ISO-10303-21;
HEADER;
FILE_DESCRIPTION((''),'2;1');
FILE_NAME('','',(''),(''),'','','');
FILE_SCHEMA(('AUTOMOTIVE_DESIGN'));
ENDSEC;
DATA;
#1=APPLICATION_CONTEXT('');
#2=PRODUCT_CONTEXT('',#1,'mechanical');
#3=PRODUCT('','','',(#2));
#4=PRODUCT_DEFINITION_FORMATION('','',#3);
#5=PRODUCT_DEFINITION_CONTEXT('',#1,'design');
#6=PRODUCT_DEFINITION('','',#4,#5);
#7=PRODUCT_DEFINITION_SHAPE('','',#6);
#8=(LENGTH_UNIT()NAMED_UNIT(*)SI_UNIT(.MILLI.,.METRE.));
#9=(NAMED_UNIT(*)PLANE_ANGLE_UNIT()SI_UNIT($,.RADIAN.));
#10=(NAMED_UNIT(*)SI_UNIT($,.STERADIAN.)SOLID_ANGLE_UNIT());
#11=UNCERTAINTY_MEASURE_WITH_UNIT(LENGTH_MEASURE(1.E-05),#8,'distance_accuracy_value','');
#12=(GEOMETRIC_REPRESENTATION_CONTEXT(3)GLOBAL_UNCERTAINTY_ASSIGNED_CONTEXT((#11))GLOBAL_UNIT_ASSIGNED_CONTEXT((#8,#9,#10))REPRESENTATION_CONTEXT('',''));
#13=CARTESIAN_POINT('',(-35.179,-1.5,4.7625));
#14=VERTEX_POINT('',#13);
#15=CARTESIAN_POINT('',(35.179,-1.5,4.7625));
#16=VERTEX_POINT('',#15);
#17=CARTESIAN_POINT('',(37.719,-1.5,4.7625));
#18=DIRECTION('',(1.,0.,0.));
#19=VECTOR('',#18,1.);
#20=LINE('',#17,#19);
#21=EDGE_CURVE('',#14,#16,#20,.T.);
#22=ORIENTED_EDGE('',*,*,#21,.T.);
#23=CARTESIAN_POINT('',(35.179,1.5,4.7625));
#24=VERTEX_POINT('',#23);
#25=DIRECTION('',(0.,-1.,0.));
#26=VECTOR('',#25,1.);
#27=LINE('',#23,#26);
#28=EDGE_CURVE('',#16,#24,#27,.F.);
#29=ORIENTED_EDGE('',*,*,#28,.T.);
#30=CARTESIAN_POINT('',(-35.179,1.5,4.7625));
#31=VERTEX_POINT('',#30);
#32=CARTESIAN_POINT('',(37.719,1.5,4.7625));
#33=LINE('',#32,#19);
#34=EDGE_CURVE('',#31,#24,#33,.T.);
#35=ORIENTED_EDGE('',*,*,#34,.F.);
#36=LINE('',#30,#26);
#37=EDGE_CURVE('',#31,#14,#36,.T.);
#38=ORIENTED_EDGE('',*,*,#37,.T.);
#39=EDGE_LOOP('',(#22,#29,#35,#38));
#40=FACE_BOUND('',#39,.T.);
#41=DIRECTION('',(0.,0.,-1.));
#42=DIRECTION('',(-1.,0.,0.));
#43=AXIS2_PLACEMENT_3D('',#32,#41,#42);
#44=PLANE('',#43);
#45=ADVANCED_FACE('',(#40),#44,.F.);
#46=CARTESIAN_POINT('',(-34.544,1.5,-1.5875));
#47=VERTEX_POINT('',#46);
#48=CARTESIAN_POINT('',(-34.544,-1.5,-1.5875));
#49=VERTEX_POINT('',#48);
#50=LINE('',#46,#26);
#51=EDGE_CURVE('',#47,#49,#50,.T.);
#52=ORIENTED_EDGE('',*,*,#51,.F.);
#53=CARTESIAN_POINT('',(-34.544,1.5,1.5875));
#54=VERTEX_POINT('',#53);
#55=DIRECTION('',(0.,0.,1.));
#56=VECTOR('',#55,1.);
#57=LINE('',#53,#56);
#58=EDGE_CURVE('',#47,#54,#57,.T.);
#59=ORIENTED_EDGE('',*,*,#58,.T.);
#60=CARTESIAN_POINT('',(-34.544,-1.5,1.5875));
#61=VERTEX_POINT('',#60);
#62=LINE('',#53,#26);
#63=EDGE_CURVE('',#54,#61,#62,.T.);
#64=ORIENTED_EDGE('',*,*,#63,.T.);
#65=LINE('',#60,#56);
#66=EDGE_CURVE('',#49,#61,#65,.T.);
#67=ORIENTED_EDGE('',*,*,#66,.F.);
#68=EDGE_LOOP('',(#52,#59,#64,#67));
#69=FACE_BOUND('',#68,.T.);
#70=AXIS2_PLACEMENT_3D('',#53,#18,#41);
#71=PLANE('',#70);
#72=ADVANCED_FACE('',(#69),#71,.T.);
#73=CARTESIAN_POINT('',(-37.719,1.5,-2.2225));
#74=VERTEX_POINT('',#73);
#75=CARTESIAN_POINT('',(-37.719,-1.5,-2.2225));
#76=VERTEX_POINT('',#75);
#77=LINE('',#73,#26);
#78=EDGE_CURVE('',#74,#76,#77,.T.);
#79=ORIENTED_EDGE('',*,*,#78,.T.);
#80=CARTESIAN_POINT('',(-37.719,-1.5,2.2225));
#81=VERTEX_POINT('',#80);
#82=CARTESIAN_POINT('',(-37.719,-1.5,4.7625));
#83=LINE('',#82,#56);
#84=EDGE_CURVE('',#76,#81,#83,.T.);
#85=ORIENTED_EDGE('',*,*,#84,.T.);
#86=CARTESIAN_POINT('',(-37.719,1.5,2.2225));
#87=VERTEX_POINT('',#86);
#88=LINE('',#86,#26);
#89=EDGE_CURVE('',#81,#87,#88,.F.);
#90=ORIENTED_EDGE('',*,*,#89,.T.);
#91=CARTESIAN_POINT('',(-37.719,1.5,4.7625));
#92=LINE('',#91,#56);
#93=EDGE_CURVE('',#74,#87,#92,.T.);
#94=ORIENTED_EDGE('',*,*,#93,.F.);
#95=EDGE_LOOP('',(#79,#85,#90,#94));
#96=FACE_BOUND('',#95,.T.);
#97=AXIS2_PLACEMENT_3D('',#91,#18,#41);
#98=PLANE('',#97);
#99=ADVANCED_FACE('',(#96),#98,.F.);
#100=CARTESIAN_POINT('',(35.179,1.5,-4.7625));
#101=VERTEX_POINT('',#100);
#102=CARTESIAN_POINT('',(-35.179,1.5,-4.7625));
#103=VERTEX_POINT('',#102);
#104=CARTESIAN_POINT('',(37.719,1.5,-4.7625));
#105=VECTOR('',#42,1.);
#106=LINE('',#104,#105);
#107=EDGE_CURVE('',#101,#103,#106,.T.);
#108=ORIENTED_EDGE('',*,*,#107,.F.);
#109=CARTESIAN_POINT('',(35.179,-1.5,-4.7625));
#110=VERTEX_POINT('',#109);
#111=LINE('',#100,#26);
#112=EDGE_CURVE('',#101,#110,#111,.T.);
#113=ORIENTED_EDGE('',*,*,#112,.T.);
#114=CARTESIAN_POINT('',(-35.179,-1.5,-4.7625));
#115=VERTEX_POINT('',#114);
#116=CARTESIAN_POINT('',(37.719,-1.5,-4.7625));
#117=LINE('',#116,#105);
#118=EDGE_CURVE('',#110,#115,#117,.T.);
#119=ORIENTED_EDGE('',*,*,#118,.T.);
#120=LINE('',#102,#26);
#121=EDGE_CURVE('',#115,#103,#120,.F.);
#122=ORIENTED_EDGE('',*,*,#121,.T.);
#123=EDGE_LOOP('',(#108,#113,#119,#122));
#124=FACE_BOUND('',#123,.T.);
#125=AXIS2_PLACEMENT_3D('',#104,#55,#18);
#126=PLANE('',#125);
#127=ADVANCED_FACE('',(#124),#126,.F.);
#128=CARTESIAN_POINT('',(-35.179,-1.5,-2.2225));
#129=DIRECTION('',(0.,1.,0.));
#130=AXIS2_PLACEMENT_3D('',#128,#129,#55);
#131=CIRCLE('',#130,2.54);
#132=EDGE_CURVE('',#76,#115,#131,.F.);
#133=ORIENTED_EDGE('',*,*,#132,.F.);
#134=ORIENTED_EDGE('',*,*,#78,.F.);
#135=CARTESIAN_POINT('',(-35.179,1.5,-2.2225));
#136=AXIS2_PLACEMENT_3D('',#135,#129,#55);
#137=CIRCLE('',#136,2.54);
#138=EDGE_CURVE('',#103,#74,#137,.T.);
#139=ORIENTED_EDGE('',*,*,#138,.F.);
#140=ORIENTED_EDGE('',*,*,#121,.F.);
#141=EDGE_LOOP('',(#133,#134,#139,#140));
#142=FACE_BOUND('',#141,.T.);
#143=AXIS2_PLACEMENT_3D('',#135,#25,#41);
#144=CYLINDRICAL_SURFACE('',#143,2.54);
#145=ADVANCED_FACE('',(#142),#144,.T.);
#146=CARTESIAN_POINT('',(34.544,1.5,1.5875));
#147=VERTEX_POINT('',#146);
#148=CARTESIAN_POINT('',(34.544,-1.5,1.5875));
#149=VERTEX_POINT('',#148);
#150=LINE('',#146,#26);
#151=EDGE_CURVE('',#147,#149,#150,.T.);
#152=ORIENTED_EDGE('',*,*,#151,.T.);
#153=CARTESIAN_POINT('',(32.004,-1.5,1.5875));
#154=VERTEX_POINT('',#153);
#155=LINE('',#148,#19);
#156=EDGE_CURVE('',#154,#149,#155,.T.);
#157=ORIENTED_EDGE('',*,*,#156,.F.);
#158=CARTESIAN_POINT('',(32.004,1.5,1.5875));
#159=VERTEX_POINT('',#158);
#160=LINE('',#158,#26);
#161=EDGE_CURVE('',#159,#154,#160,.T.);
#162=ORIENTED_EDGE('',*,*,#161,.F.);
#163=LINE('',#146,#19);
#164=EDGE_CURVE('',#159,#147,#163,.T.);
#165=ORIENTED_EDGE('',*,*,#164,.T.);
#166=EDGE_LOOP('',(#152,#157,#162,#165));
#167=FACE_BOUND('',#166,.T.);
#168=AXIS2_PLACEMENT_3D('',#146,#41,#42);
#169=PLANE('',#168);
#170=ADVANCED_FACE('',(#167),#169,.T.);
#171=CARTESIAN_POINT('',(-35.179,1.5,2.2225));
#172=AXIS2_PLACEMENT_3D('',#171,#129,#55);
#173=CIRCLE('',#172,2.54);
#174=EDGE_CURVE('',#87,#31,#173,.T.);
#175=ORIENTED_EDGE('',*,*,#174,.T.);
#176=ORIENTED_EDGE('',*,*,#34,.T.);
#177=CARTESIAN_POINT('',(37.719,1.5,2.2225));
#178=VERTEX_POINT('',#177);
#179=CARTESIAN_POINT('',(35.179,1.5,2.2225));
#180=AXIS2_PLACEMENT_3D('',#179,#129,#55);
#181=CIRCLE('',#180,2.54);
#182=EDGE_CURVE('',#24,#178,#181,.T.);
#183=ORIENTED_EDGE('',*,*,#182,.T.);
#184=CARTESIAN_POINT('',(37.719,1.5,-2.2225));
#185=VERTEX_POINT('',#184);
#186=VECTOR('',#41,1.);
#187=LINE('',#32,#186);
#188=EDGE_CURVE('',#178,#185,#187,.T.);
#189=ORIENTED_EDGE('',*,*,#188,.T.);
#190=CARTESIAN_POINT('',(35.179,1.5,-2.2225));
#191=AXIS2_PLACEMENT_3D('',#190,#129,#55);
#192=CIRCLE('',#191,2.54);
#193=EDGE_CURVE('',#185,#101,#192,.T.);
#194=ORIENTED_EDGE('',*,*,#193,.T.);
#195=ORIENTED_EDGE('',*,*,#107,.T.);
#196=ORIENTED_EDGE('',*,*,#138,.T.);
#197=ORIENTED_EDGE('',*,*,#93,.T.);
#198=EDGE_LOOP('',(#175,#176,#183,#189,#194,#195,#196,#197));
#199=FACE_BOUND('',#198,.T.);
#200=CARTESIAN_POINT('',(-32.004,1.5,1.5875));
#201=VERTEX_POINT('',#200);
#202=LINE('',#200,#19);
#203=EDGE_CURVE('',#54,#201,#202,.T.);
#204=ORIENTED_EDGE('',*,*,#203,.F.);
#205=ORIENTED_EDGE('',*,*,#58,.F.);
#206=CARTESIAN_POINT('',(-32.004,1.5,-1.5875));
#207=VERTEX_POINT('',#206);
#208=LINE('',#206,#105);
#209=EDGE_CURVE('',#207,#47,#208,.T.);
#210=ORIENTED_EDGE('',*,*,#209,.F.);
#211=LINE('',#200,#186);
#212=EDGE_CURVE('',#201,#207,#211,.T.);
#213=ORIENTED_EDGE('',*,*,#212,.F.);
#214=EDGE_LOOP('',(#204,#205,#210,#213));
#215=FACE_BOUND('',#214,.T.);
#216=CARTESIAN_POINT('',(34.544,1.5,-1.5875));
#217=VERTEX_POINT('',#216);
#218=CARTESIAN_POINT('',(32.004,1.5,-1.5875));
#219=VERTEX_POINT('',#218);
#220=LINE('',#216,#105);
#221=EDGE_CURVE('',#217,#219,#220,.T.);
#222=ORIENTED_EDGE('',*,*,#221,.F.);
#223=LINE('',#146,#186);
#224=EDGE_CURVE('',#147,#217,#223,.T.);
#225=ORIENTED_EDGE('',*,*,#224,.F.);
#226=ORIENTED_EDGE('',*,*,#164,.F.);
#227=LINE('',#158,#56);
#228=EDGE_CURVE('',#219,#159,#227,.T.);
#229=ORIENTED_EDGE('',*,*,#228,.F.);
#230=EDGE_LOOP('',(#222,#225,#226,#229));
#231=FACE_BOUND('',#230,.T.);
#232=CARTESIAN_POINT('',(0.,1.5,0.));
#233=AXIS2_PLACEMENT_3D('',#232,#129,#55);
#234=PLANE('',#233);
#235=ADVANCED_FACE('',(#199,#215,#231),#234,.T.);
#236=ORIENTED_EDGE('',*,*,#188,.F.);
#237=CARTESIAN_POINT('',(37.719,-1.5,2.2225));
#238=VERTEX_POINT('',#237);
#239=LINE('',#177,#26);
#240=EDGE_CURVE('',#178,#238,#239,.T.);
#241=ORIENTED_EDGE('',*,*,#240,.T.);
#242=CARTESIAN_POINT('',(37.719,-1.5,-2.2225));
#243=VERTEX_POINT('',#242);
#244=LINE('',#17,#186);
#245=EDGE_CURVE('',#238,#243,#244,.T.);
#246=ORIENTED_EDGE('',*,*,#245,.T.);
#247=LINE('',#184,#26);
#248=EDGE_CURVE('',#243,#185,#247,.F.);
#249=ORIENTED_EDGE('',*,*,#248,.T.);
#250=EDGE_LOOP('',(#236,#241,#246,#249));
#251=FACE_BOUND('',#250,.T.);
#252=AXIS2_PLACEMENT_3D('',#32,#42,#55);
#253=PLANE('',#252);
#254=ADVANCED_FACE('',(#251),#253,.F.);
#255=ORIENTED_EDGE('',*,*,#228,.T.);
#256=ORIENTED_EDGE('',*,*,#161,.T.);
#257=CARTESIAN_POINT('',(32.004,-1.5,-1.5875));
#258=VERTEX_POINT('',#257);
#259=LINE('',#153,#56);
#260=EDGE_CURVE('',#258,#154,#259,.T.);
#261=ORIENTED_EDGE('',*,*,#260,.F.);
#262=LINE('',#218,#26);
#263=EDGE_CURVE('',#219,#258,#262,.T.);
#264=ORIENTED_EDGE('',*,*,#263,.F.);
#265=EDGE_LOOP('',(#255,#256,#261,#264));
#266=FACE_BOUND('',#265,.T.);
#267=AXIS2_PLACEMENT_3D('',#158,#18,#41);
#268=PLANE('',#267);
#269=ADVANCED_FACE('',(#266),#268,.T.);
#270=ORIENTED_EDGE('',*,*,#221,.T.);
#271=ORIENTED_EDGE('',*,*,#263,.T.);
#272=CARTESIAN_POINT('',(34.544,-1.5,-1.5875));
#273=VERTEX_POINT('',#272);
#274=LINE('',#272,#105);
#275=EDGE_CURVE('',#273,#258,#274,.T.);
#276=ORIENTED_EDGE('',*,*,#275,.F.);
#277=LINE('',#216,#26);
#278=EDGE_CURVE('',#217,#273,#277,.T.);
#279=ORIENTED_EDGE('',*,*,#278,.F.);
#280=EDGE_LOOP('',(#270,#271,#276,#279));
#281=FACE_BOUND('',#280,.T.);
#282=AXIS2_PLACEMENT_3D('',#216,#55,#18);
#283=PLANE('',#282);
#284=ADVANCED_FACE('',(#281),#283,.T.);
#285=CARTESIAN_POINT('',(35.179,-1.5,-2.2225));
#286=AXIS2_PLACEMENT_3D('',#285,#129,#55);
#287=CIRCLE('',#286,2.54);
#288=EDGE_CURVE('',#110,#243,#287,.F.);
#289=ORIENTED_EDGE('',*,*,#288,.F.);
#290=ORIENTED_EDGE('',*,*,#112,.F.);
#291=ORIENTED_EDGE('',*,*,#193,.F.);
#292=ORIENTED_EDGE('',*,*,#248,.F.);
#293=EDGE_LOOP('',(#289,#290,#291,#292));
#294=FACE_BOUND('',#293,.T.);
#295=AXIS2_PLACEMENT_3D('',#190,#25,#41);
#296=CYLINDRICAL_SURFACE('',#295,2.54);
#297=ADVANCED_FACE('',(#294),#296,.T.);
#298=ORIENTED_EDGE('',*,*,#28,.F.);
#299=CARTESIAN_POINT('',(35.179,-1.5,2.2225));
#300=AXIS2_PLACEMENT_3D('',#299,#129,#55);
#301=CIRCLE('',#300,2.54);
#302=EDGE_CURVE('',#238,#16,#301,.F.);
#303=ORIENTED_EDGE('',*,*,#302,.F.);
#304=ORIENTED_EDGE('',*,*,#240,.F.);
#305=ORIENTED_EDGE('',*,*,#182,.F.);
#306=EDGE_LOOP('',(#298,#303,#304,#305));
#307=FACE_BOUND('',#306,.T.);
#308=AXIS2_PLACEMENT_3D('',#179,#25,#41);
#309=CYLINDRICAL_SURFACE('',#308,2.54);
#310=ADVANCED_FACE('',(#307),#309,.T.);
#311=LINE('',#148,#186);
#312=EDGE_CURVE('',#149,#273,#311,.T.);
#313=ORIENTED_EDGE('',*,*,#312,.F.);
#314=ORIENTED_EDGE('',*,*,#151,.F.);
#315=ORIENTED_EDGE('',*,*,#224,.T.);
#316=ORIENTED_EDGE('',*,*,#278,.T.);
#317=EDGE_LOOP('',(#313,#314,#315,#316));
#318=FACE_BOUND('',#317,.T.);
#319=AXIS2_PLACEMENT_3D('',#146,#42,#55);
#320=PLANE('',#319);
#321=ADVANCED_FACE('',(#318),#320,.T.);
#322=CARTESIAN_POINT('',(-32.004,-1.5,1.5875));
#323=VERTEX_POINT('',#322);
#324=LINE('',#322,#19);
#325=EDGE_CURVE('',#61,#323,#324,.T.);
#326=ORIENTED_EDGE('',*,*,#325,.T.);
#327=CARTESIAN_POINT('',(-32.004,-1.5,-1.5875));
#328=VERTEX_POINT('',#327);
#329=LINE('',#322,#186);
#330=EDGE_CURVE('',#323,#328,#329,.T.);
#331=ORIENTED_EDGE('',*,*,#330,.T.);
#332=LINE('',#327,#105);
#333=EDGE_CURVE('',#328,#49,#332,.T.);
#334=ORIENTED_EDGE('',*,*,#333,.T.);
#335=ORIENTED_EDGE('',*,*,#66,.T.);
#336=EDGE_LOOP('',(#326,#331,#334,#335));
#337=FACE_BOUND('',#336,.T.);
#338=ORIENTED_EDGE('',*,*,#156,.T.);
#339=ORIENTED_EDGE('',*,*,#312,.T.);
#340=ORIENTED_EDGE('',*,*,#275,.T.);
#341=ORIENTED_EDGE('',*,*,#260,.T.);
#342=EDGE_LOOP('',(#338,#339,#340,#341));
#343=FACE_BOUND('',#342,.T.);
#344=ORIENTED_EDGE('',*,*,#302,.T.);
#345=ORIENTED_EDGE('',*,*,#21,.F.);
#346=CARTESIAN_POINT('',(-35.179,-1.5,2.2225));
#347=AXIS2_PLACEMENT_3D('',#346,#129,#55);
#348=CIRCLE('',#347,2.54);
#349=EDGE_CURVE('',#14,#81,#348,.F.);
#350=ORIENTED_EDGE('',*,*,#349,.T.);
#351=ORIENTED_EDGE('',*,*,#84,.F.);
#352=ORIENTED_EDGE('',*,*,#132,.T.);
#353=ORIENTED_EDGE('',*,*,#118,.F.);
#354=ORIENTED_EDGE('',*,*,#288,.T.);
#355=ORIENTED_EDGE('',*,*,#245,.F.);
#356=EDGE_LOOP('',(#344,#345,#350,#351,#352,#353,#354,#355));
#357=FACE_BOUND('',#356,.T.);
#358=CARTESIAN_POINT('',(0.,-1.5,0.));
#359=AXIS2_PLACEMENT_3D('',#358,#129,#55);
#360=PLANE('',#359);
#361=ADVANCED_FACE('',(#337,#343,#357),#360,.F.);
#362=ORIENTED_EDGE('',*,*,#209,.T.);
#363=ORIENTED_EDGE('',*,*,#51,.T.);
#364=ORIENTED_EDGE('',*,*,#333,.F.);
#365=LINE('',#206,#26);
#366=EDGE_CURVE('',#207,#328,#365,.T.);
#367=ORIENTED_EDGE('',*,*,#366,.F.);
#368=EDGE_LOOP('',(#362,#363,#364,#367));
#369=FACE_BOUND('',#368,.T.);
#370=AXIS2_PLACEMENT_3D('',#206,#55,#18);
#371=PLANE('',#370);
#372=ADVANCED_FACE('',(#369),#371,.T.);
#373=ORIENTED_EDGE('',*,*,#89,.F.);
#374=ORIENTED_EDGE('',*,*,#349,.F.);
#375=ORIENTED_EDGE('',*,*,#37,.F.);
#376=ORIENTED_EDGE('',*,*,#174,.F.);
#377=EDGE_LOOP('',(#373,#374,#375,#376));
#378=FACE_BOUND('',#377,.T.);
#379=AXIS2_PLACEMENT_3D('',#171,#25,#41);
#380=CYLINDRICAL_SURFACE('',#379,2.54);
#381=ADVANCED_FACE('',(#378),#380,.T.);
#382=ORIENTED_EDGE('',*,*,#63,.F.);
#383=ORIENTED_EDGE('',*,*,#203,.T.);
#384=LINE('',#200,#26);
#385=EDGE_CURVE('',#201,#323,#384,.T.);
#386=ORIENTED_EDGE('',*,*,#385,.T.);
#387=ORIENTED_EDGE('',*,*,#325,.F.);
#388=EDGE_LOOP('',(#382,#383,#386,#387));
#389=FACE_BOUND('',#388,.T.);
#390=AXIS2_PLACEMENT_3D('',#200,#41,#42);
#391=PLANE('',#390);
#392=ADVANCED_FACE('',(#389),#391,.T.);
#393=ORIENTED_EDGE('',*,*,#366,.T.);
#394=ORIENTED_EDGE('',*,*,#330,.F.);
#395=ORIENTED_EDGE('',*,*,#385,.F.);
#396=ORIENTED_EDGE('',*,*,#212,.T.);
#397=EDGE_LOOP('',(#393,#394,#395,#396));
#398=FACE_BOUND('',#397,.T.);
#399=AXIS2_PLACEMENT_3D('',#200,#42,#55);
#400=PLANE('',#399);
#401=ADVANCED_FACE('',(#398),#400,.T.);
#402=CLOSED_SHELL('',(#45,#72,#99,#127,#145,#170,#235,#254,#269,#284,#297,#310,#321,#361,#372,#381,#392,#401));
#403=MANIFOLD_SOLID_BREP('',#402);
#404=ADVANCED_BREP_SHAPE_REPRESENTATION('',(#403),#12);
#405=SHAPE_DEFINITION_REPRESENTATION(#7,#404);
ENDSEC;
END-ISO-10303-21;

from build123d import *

# Parameters (mm, degrees)
SKETCH1_W           = 75.438
SKETCH1_H           = 9.525
SKETCH1_W_2         = 2.54
SKETCH1_H_2         = 3.175
BOSS_EXTRUDE1_DEPTH = 1.5
FILLET1_R           = 2.54


with BuildPart() as part:
    # Sketch1 → Boss-Extrude1 (new, symmetric)
    with BuildSketch(Plane(origin=(0, 0, 0), x_dir=(1, 0, 0), z_dir=(0, 1, 0))):
        Rectangle(SKETCH1_W, SKETCH1_H)
        with Locations((-33.274, 0)):
            Rectangle(SKETCH1_W_2, SKETCH1_H_2, mode=Mode.SUBTRACT)
        with Locations((33.274, 0)):
            Rectangle(SKETCH1_W_2, SKETCH1_H_2, mode=Mode.SUBTRACT)
    extrude(amount=BOSS_EXTRUDE1_DEPTH, both=True)

    # Fillet1
    fillet1_edges = [part.edges().sort_by_distance(p)[0] for p in [
        (-37.719, 0, -4.7625),
        (37.719, 0, -4.7625),
        (37.719, 0, 4.7625),
        (-37.719, 0, 4.7625),
    ]]
    fillet(fillet1_edges, radius=FILLET1_R)


solid = part.part
